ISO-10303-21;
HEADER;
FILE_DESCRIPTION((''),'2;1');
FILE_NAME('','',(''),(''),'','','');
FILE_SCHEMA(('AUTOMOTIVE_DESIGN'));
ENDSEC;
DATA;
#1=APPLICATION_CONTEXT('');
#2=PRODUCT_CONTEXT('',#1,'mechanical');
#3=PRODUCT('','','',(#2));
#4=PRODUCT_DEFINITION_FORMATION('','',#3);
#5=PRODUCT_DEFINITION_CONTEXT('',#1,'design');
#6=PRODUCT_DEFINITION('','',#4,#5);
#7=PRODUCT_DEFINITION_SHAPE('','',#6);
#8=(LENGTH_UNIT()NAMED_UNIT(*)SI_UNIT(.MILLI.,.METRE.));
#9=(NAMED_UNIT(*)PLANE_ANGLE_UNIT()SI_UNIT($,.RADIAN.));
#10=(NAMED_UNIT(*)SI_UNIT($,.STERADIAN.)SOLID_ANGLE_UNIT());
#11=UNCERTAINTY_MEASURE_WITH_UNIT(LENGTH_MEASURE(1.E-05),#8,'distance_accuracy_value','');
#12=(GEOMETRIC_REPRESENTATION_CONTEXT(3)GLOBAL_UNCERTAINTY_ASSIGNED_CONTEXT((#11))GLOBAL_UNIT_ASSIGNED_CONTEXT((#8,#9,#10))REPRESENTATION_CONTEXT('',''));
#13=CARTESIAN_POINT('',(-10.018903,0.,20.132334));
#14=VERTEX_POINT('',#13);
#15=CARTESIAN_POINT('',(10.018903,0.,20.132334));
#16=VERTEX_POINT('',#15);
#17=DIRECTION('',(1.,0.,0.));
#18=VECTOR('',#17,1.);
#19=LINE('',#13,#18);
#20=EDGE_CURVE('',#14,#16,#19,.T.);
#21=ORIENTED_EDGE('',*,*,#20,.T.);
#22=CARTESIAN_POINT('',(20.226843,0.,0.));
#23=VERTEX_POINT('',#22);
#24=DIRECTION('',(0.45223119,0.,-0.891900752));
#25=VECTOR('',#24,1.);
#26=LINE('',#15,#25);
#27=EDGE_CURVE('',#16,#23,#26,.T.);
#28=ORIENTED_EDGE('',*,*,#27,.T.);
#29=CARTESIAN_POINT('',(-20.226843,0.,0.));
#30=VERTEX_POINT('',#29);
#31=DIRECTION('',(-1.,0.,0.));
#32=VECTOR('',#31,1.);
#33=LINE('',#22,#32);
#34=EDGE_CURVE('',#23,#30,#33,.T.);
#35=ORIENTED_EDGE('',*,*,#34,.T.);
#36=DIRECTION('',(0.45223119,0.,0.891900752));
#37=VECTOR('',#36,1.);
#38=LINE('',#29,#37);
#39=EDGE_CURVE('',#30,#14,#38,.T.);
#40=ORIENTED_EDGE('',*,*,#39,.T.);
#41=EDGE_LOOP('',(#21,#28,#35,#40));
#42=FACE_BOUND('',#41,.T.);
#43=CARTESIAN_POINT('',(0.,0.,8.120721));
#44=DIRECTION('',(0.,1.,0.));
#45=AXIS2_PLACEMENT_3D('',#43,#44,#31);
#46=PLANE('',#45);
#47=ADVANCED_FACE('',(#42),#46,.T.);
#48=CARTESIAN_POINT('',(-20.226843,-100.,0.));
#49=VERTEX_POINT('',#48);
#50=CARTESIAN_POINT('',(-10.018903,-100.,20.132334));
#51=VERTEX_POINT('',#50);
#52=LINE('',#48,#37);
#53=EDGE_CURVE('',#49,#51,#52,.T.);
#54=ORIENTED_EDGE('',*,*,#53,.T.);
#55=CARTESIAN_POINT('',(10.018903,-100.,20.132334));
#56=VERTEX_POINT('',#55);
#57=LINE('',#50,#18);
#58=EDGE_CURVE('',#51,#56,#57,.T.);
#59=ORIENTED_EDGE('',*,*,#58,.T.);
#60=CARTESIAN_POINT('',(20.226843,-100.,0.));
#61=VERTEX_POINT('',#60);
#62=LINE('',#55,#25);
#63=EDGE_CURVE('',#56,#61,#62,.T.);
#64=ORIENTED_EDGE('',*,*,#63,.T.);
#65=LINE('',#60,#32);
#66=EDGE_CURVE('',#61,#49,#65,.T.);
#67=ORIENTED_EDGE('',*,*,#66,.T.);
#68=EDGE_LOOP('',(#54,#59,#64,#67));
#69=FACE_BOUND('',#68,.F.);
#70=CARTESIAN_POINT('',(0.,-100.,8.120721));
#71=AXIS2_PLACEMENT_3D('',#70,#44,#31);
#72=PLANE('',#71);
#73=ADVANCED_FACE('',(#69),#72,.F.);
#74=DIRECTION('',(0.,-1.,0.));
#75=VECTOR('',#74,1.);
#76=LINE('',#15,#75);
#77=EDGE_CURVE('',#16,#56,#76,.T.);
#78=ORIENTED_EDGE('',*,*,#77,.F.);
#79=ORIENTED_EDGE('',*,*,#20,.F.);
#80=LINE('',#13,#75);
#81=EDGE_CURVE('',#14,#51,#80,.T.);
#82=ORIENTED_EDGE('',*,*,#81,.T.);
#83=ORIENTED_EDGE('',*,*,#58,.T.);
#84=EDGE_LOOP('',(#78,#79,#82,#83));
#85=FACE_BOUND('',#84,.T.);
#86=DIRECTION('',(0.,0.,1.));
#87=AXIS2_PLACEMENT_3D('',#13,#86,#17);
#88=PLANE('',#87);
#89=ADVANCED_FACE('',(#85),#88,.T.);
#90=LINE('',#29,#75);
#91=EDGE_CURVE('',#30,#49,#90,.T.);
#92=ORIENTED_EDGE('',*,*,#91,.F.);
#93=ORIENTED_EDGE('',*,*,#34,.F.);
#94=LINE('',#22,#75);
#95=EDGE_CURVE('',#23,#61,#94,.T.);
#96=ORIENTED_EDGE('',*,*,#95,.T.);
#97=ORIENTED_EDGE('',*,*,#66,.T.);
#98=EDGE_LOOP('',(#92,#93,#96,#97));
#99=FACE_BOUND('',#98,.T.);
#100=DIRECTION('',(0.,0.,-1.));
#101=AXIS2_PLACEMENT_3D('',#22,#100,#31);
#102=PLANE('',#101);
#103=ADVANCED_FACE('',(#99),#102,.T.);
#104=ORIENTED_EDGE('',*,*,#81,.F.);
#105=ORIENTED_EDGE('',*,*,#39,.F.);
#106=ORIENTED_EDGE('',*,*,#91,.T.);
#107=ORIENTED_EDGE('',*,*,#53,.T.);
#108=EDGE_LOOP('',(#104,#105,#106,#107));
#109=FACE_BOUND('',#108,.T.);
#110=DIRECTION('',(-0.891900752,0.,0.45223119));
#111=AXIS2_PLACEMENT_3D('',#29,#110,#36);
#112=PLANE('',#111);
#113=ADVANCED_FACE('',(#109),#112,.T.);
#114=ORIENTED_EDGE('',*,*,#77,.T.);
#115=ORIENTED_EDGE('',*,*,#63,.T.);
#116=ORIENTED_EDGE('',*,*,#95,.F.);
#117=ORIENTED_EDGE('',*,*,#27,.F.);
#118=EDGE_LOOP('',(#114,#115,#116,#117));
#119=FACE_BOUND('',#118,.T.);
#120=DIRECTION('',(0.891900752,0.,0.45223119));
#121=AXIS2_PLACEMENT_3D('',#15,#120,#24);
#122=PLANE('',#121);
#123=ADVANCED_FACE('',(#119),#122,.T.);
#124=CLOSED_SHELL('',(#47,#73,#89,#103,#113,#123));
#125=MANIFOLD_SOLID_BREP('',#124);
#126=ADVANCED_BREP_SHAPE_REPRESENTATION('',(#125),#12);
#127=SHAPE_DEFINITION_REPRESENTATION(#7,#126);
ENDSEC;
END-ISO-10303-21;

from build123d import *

# Parameters (mm, degrees)
PAD_DEPTH = 100


with BuildPart() as part:
    # Sketch → Pad (new body)
    with BuildSketch(Plane.XZ):
        Polygon((-20.226843, 0), (-10.018903, 20.132334), (10.018903, 20.132334), (20.226843, 0), align=None)
    extrude(amount=PAD_DEPTH)


solid = part.part
